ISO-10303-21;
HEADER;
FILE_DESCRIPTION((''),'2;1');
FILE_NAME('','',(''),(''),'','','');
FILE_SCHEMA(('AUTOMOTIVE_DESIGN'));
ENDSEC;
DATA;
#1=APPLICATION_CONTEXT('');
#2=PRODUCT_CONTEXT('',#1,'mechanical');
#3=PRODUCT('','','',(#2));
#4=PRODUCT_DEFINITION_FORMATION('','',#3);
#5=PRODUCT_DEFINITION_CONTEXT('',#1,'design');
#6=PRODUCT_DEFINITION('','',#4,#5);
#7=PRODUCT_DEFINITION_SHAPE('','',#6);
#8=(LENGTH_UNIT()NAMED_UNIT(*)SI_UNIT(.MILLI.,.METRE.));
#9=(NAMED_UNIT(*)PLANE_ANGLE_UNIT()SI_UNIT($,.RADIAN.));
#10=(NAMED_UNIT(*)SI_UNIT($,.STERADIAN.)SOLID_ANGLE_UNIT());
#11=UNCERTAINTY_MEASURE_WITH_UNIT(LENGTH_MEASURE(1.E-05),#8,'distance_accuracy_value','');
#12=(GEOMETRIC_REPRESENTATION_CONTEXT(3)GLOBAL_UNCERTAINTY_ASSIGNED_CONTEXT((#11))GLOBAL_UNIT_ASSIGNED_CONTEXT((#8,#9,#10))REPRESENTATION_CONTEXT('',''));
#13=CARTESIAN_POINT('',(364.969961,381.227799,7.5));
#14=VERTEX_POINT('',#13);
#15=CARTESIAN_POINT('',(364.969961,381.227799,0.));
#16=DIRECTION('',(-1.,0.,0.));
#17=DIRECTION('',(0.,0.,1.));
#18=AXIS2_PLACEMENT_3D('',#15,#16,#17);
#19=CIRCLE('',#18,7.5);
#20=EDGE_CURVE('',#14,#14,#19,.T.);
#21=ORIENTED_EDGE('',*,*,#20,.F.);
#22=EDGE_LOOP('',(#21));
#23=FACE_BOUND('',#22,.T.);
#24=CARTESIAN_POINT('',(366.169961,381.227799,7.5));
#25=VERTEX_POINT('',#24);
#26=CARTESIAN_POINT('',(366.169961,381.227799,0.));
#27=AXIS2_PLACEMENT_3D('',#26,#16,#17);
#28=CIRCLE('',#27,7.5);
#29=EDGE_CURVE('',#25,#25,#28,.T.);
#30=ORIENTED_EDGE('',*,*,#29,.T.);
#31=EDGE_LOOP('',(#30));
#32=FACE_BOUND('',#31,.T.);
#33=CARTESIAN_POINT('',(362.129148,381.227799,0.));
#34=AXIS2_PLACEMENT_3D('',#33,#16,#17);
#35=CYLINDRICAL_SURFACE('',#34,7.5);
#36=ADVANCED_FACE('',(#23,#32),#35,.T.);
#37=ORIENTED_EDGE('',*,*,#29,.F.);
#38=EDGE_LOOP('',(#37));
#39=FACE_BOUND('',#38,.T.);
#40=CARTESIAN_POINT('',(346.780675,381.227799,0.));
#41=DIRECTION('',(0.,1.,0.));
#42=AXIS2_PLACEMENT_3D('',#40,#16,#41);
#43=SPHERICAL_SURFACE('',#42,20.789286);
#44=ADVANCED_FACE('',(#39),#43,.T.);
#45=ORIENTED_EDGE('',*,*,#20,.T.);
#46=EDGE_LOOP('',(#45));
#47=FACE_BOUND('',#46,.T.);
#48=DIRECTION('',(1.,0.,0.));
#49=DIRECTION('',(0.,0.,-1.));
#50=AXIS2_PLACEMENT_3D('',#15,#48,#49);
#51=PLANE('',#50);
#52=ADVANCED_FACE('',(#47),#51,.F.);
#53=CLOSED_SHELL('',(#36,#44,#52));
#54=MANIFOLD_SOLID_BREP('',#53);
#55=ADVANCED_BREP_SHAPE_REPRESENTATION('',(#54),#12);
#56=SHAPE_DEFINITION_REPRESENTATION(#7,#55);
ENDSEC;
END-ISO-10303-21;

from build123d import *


with BuildPart() as part:
    # 草图1 → 旋转1 (revolve)
    with BuildSketch(Plane.XY):
        with BuildLine():
            Line((364.969960555, 381.227799172), (364.969960555, 388.727799172))
            Line((364.969960555, 388.727799172), (366.169960555, 388.727799172))
            ThreePointArc((366.169960555, 388.727799172), (367.216963656, 385.042573084), (367.569960555, 381.227799172))
            Line((367.569960555, 381.227799172), (364.969960555, 381.227799172))
        make_face()
    revolve(axis=Axis((362.129148425, 381.227799172, 0), (1, 0, 0)))


solid = part.part
